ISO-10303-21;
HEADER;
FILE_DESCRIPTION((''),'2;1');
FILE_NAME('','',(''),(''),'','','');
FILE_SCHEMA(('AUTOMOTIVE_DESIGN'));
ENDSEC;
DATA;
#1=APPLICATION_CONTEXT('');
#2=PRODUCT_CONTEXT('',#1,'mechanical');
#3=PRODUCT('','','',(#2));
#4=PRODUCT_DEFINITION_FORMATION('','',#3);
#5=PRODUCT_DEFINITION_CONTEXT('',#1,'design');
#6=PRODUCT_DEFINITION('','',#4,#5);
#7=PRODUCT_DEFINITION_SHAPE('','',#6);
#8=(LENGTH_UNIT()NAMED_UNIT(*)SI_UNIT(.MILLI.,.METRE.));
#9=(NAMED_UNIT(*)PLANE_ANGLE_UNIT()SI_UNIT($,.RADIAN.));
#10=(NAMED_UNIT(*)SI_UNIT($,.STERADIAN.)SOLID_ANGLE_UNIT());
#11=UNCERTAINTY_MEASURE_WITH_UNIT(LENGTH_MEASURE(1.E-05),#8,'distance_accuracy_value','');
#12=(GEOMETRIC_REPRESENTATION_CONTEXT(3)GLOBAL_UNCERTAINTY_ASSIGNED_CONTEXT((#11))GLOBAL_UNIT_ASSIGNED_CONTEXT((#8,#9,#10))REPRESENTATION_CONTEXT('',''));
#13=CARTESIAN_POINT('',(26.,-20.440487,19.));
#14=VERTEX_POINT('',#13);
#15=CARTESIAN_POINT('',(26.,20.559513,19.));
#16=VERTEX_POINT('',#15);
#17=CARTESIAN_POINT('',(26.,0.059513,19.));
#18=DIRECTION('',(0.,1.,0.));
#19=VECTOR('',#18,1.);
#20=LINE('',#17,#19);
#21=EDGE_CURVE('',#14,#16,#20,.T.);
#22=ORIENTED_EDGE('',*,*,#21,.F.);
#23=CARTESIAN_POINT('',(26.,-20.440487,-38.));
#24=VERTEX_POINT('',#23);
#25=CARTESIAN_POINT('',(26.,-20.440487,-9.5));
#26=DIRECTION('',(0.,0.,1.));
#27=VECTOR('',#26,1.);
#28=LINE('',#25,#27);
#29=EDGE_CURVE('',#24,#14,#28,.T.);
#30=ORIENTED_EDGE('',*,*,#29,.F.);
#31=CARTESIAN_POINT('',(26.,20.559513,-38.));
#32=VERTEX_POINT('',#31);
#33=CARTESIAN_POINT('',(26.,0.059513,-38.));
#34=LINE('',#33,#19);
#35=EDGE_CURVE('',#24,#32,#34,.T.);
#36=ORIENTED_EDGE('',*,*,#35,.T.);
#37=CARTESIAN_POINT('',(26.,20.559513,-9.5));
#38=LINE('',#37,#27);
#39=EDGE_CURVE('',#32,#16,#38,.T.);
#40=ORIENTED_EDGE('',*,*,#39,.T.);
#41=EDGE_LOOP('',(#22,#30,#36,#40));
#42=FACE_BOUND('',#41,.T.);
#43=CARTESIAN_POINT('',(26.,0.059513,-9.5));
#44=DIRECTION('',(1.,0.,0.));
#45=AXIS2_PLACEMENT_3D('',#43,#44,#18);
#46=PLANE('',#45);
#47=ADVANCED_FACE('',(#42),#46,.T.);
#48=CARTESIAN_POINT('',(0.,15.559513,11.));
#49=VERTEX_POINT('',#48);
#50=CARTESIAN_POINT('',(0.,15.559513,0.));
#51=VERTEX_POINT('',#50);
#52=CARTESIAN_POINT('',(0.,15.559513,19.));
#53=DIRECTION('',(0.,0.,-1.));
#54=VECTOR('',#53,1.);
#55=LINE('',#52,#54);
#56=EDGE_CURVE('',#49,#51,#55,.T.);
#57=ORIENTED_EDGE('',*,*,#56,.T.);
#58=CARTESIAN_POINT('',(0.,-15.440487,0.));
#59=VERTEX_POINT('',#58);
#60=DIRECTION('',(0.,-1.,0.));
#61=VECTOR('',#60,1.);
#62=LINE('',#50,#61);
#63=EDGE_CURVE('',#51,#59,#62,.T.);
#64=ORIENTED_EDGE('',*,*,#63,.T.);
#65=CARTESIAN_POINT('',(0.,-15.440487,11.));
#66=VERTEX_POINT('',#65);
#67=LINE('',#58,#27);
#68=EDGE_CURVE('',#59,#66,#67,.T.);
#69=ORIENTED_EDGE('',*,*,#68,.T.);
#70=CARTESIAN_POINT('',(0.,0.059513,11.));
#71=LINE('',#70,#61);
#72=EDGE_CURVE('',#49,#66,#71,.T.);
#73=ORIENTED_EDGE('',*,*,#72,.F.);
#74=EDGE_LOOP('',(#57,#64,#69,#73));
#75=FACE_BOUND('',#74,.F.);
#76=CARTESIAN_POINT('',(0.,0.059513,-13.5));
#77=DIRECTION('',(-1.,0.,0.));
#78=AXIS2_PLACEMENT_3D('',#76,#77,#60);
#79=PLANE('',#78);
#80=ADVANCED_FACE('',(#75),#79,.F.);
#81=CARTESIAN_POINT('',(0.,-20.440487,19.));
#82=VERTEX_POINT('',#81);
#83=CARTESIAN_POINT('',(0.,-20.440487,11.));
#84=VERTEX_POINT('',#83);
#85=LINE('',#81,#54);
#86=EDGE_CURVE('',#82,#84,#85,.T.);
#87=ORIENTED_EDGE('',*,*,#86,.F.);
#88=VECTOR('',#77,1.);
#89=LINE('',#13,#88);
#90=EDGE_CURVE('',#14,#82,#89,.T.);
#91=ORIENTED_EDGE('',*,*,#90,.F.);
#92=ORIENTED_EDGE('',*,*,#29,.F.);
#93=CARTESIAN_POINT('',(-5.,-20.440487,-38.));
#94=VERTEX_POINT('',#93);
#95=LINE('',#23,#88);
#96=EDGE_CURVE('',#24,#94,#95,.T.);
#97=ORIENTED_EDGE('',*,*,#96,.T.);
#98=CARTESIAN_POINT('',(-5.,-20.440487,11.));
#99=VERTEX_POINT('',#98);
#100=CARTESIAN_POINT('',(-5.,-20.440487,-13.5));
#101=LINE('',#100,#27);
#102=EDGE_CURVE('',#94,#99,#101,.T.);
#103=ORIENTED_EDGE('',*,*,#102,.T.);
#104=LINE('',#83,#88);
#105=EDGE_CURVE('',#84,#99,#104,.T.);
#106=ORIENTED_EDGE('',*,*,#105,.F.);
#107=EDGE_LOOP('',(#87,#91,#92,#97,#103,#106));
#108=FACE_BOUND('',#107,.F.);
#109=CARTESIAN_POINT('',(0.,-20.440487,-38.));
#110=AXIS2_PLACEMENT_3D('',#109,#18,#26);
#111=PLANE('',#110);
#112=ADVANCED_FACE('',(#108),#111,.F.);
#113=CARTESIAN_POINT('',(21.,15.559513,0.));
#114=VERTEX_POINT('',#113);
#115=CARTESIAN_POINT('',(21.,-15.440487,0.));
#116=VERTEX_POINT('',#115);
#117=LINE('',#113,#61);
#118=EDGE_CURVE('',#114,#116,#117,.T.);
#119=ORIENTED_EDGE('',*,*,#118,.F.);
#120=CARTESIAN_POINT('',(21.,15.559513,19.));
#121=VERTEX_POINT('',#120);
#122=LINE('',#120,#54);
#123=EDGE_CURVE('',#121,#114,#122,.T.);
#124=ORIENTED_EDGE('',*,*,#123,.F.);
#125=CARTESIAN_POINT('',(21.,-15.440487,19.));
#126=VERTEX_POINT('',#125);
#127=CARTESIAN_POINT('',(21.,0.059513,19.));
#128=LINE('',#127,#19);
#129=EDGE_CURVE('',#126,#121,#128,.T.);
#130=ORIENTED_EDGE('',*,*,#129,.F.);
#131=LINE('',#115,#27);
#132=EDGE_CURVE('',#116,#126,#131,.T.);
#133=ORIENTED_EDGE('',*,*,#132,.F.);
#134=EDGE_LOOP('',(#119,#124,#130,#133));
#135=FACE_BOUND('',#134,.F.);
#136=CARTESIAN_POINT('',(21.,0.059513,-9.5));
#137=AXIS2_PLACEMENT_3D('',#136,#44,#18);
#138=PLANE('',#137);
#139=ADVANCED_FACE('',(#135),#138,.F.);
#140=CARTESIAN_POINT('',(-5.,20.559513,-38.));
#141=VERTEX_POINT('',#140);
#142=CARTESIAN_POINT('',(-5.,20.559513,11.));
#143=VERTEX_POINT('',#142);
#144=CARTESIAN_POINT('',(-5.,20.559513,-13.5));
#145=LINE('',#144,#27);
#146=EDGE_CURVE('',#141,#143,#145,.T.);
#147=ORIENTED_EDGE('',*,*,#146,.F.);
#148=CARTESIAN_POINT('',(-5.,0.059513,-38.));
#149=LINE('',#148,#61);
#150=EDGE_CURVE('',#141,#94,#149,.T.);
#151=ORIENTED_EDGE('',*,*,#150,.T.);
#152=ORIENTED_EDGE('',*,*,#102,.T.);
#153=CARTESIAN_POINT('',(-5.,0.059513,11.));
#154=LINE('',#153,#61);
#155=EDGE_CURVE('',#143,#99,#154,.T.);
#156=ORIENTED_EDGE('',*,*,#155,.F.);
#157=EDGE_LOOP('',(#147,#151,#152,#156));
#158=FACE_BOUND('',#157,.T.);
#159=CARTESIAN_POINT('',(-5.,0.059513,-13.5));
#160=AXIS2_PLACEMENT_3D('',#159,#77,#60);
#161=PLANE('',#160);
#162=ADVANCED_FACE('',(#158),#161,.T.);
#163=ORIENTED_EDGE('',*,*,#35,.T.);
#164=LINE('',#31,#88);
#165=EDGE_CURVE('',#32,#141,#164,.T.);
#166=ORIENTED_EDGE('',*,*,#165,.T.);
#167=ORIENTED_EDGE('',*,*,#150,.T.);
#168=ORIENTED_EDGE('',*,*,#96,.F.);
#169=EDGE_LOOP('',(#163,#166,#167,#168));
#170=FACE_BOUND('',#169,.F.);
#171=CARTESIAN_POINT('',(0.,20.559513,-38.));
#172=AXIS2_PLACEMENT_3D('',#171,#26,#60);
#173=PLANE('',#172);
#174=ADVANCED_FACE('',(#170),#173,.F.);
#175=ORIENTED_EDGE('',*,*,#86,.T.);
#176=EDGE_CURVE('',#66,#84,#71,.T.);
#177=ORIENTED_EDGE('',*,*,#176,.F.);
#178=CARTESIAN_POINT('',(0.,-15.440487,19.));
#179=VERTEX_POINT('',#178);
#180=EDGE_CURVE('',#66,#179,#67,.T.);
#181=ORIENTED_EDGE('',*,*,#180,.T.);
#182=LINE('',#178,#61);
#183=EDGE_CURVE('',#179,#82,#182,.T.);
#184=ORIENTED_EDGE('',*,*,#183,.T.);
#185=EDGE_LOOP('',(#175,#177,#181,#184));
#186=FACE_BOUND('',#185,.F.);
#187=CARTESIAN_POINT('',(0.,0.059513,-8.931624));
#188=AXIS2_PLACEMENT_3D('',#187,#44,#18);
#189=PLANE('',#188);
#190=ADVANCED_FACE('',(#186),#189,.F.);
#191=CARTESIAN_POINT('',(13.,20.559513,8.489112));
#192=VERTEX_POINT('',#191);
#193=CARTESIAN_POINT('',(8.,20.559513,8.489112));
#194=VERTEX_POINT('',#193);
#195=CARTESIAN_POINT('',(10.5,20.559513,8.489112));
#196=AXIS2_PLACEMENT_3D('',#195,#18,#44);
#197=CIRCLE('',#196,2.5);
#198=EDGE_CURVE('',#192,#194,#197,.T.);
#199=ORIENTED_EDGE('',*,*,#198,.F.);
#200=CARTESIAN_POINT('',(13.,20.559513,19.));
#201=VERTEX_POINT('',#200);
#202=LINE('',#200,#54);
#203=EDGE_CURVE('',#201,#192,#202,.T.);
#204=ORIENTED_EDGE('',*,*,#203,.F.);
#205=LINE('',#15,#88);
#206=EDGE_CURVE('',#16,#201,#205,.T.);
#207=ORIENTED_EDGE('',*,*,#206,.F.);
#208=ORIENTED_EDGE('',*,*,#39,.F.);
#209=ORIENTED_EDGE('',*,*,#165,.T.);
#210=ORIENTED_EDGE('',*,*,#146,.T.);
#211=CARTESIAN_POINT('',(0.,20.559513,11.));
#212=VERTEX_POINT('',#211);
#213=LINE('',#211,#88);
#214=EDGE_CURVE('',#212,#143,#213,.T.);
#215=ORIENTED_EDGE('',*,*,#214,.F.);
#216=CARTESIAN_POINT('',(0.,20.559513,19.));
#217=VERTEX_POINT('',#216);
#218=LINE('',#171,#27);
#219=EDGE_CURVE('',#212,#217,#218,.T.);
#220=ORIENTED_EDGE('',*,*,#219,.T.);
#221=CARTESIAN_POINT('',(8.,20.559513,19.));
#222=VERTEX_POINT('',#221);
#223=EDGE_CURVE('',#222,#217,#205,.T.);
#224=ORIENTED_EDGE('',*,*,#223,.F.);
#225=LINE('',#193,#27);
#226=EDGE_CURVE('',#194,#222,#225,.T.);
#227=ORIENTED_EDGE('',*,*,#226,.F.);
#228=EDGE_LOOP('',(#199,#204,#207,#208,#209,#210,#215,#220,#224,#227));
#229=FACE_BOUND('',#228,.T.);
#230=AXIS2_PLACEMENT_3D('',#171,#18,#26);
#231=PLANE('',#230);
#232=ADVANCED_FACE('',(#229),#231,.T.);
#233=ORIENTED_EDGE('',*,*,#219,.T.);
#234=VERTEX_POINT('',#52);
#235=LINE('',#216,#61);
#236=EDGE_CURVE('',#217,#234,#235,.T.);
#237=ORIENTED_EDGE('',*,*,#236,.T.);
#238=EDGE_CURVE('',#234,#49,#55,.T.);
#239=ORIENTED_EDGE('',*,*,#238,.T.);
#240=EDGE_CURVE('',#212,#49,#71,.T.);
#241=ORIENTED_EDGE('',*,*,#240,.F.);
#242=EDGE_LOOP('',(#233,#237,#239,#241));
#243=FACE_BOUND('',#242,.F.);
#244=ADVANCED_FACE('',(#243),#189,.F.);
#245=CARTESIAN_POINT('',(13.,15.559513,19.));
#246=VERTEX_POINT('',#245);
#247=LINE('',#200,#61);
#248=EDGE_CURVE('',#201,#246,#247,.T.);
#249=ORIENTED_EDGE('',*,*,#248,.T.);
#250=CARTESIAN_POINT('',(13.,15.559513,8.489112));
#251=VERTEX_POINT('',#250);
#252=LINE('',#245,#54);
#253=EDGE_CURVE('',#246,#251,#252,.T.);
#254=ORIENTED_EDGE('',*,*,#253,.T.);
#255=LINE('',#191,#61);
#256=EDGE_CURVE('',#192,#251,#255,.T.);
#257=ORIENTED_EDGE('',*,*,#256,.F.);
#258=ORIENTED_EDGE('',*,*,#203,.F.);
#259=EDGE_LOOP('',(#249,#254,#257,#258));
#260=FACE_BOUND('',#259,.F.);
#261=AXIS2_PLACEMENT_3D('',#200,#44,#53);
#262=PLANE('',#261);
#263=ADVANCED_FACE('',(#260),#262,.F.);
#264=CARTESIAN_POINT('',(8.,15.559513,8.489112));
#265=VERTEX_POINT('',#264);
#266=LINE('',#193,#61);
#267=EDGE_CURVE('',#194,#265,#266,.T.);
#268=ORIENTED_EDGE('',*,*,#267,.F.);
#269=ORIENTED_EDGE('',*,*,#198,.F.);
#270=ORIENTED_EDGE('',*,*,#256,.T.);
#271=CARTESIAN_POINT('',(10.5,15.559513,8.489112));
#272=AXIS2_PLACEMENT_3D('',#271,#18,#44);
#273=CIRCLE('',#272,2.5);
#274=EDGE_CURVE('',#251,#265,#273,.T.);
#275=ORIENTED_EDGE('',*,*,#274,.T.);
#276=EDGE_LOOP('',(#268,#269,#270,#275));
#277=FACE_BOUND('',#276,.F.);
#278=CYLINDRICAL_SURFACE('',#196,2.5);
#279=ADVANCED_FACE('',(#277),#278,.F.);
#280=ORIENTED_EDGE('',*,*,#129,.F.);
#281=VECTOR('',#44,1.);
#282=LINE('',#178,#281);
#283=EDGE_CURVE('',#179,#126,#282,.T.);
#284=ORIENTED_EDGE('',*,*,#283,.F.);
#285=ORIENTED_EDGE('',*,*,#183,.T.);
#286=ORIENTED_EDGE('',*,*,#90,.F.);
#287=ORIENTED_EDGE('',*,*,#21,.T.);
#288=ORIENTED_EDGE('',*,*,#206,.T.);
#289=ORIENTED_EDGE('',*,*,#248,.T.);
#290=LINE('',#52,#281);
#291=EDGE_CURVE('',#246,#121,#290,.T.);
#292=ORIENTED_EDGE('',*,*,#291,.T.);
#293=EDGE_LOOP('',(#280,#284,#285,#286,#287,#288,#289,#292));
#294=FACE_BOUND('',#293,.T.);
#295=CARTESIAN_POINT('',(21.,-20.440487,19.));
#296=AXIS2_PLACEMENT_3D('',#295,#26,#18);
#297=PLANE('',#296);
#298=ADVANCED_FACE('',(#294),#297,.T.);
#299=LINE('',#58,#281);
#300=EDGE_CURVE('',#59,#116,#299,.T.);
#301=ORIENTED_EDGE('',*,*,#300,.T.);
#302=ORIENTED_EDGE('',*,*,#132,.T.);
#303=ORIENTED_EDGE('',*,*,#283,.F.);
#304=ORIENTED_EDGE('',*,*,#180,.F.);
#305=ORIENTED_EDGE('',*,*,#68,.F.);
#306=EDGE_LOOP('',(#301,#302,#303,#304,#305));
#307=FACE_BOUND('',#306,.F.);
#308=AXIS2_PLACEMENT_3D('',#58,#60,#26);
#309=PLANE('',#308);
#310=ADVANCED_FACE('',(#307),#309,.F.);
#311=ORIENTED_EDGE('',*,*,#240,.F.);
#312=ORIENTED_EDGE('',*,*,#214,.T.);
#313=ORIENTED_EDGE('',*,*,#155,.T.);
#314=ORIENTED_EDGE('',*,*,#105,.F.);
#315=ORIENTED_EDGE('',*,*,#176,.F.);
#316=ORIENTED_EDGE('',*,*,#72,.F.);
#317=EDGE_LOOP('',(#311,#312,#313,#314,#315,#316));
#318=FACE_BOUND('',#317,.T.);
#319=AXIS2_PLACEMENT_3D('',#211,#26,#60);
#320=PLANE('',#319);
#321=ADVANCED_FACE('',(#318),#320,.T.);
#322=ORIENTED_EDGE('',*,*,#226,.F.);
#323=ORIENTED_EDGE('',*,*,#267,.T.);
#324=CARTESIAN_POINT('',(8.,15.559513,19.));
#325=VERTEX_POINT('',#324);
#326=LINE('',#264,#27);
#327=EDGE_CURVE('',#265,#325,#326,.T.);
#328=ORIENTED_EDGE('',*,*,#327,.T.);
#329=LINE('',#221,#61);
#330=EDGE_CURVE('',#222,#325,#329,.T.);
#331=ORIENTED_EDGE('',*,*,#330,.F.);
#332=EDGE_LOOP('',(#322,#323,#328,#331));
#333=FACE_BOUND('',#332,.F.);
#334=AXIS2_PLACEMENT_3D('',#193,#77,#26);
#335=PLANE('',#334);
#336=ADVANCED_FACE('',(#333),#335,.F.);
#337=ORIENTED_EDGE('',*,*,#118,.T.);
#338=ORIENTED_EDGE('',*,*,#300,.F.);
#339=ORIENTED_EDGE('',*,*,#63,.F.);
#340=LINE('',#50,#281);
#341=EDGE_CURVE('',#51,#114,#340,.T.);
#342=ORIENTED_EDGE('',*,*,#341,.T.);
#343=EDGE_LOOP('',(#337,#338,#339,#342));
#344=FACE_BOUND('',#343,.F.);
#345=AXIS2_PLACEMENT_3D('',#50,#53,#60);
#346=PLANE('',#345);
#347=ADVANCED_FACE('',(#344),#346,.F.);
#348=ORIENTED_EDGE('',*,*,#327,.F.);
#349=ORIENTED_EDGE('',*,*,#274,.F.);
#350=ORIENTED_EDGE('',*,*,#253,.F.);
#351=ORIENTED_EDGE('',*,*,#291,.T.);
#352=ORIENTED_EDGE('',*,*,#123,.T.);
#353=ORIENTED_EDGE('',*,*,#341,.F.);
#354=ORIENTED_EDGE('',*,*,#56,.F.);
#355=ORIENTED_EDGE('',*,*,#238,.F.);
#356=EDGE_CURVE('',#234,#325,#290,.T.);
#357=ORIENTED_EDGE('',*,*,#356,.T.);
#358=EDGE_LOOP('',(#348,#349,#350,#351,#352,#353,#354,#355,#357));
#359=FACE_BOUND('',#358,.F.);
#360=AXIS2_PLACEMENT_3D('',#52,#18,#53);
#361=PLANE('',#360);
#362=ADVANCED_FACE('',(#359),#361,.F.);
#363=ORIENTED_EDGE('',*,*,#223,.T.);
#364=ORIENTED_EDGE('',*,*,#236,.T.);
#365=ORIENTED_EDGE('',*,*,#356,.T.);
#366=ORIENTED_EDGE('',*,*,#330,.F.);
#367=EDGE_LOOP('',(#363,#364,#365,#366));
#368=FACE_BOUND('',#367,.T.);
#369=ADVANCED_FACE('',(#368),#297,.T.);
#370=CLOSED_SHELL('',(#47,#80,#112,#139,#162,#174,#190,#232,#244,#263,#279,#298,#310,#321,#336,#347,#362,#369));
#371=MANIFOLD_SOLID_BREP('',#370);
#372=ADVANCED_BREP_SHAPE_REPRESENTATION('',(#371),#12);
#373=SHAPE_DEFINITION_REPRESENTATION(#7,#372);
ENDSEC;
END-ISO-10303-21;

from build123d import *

# Parameters (mm, degrees)
F1_DEPTH = 21
F2_W     = 41
F2_H     = 57
F3_DEPTH = 5
F4_W     = 41
F4_H     = 49
F5_DEPTH = 5
F7_DEPTH = 5


with BuildPart() as f1:
    # F0 (on Right) → F1 (new body)
    with BuildSketch(Plane.YZ):
        Polygon((15.559513, 19), (15.559513, 0), (-15.440487, 0), (-15.440487, 19), (-20.440487, 19), (-20.440487, 0), (-20.440487, -38), (-15.440487, -38), (15.469343, -38), (20.559513, -38), (20.559513, 0), (20.559513, 19), align=None)
    extrude(amount=F1_DEPTH)

    # F2 (on face) → F3 (join)
    with BuildSketch(Plane.YZ.offset(21)):
        with Locations((0.059513, -9.5)):
            Rectangle(F2_W, F2_H)
    extrude(amount=F3_DEPTH)

    # F4 (on face) → F5 (join)
    with BuildSketch(Plane(origin=(0, 0, 0), x_dir=(0, -1, 0), z_dir=(-1, 0, 0))):
        with Locations((-0.059513, -13.5)):
            Rectangle(F4_W, F4_H)
    extrude(amount=F5_DEPTH)

    # F6 (on face) → F7 (cut)
    with BuildSketch(Plane(origin=(0, 20.559513, 0), x_dir=(-1, 0, 0), z_dir=(0, 1, 0))):
        with BuildLine():
            Line((-8, 8.489112), (-8, 19))
            Line((-8, 19), (-13, 19))
            Line((-13, 19), (-13, 8.489112))
            ThreePointArc((-13, 8.489112), (-10.5, 5.989112), (-8, 8.489112))
        make_face()
    extrude(amount=-F7_DEPTH, mode=Mode.SUBTRACT)


solid = f1.part
